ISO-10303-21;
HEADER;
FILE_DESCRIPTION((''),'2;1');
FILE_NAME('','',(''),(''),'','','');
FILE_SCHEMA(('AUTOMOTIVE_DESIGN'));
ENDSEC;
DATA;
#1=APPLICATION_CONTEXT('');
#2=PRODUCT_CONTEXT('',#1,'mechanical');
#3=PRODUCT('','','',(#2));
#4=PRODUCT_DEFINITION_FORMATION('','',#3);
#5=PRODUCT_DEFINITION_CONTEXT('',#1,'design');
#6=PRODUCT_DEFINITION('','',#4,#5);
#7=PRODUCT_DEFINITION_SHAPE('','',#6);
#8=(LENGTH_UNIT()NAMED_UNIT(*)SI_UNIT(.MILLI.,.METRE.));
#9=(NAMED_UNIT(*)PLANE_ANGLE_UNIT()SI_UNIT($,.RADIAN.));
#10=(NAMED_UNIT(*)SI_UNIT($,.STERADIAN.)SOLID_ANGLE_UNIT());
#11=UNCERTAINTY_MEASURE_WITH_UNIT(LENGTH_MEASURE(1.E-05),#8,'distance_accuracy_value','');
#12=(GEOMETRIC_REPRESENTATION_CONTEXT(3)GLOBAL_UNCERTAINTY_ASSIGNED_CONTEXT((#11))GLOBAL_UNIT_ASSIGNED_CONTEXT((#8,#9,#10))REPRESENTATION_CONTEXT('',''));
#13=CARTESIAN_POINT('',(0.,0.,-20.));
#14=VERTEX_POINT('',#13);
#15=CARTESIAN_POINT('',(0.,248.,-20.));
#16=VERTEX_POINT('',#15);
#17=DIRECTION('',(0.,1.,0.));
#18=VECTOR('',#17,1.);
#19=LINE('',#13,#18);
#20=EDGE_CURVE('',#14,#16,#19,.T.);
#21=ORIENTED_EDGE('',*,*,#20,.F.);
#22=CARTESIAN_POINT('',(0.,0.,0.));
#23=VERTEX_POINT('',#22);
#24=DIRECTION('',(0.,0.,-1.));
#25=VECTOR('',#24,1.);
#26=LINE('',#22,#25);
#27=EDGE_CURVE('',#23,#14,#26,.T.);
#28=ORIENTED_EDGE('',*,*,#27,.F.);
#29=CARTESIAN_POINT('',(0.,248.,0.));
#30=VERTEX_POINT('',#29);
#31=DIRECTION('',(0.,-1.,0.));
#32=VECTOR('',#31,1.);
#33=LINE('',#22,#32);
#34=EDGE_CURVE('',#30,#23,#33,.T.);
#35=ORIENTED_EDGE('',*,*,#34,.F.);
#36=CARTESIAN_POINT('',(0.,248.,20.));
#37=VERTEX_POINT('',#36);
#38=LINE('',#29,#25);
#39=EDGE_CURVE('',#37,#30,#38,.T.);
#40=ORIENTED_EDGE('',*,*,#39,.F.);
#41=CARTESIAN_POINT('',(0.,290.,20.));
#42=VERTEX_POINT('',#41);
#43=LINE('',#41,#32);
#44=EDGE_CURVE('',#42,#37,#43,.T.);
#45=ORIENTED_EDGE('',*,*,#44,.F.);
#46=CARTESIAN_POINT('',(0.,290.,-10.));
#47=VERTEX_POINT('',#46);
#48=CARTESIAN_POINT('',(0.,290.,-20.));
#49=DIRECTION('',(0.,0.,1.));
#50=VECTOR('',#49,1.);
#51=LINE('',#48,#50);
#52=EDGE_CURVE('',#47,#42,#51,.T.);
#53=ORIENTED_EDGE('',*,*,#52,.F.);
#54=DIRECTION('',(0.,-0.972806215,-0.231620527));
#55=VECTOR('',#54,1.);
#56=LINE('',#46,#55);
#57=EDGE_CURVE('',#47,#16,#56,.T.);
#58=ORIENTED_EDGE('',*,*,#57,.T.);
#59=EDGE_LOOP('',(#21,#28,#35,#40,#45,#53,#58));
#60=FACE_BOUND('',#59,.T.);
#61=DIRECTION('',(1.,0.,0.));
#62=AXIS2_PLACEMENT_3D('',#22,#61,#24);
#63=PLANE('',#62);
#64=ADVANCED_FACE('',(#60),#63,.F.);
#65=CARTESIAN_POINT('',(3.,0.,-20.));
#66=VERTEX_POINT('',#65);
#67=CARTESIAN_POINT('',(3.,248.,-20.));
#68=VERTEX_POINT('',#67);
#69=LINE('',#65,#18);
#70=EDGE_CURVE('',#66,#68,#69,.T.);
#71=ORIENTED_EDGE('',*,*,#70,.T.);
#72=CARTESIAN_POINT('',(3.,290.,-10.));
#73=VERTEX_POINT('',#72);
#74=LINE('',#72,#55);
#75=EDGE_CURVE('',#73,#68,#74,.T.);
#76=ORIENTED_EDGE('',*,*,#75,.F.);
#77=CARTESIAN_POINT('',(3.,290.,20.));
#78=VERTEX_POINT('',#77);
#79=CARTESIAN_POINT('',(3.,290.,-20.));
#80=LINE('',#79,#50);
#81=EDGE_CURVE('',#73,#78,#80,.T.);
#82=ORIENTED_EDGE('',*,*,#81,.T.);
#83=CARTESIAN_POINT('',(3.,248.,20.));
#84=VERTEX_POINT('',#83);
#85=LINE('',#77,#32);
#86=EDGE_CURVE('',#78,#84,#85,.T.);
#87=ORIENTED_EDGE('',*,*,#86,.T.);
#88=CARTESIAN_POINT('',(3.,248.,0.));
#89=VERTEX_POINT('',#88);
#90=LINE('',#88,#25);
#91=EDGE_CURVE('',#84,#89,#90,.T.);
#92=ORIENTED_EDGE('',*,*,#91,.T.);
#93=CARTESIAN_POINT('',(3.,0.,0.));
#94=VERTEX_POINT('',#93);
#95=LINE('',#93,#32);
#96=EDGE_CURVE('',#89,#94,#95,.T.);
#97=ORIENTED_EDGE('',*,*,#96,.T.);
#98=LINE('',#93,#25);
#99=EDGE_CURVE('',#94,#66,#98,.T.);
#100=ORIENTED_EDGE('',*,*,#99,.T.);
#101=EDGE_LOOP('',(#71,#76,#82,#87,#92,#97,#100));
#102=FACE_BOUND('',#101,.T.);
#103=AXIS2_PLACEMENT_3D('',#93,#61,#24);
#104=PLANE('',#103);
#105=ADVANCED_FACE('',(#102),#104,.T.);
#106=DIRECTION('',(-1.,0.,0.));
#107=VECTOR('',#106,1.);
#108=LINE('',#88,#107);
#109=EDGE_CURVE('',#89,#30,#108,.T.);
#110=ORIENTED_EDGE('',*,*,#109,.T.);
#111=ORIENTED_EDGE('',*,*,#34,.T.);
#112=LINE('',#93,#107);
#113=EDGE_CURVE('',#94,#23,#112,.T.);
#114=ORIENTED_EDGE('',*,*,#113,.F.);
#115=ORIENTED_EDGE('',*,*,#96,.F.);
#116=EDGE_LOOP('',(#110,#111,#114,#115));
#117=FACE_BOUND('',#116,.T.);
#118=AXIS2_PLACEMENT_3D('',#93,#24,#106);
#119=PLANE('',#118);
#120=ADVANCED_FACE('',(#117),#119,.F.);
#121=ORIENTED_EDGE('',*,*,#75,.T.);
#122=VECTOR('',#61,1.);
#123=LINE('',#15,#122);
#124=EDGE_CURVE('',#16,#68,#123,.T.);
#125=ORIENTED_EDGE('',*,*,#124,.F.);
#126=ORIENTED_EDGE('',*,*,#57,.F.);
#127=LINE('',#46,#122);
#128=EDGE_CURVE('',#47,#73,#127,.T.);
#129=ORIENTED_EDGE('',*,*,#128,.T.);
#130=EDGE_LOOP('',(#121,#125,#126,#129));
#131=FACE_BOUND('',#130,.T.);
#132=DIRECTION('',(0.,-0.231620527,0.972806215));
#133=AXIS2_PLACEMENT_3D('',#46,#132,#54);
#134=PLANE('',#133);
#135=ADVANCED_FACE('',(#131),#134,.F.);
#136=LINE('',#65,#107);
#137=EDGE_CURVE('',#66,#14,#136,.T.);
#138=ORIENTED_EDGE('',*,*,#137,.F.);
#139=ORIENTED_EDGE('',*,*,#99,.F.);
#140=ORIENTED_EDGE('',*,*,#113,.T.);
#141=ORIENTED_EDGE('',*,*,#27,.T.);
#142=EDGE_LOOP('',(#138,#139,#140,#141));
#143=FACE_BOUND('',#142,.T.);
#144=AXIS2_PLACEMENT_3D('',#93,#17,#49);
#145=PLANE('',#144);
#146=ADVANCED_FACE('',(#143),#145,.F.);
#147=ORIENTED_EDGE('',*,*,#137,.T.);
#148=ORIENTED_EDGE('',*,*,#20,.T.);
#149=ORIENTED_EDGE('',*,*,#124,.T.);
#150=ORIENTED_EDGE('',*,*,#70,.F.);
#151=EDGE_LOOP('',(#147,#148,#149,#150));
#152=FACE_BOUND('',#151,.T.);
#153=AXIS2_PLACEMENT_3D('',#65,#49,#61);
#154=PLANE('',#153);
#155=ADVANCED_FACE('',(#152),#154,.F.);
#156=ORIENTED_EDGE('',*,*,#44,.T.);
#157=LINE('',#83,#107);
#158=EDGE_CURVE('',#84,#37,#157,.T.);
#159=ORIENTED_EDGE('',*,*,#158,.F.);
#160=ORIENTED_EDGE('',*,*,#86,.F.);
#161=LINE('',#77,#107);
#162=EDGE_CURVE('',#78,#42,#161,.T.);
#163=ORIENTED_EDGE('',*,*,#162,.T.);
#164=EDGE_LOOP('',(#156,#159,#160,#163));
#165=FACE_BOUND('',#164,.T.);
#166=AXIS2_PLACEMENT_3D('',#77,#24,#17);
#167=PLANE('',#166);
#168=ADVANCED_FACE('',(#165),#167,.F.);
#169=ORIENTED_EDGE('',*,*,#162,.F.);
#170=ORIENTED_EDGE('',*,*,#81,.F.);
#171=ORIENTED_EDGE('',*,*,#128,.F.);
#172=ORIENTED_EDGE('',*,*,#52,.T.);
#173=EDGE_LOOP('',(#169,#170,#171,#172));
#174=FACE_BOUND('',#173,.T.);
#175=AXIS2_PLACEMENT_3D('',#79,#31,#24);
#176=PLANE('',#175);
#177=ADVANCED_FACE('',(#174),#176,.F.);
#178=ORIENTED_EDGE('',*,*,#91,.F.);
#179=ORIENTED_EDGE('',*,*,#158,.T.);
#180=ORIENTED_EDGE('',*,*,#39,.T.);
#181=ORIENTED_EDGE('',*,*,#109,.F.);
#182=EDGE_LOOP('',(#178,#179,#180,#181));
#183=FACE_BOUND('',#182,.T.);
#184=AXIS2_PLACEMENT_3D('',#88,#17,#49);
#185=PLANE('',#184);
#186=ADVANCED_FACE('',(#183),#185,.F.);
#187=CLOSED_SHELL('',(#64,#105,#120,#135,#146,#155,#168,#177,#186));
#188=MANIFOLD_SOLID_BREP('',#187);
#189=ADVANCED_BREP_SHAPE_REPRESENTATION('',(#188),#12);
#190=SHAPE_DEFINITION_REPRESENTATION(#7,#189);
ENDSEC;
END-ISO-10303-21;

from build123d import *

# Parameters (mm, degrees)
EXTRUDE_1_DEPTH     = 3
CUT_EXTRUDE_1_DEPTH = 3


with BuildPart() as part:
    # 스케치1 → 보스-돌출1 (new body)
    with BuildSketch(Plane(origin=(0, 0, 0), x_dir=(0, 0, -1), z_dir=(1, 0, 0))):
        Polygon((0, 0), (20, 0), (20, 290), (-20, 290), (-20, 248), (0, 248), align=None)
    extrude(amount=EXTRUDE_1_DEPTH)

    # 스케치2 → 컷-돌출1 (cut)
    with BuildSketch(Plane(origin=(3, 0, 0), x_dir=(0, 0, -1), z_dir=(1, 0, 0))):
        Polygon((10, 290), (20, 248), (20, 290), align=None)
    extrude(amount=-CUT_EXTRUDE_1_DEPTH, mode=Mode.SUBTRACT)


solid = part.part
